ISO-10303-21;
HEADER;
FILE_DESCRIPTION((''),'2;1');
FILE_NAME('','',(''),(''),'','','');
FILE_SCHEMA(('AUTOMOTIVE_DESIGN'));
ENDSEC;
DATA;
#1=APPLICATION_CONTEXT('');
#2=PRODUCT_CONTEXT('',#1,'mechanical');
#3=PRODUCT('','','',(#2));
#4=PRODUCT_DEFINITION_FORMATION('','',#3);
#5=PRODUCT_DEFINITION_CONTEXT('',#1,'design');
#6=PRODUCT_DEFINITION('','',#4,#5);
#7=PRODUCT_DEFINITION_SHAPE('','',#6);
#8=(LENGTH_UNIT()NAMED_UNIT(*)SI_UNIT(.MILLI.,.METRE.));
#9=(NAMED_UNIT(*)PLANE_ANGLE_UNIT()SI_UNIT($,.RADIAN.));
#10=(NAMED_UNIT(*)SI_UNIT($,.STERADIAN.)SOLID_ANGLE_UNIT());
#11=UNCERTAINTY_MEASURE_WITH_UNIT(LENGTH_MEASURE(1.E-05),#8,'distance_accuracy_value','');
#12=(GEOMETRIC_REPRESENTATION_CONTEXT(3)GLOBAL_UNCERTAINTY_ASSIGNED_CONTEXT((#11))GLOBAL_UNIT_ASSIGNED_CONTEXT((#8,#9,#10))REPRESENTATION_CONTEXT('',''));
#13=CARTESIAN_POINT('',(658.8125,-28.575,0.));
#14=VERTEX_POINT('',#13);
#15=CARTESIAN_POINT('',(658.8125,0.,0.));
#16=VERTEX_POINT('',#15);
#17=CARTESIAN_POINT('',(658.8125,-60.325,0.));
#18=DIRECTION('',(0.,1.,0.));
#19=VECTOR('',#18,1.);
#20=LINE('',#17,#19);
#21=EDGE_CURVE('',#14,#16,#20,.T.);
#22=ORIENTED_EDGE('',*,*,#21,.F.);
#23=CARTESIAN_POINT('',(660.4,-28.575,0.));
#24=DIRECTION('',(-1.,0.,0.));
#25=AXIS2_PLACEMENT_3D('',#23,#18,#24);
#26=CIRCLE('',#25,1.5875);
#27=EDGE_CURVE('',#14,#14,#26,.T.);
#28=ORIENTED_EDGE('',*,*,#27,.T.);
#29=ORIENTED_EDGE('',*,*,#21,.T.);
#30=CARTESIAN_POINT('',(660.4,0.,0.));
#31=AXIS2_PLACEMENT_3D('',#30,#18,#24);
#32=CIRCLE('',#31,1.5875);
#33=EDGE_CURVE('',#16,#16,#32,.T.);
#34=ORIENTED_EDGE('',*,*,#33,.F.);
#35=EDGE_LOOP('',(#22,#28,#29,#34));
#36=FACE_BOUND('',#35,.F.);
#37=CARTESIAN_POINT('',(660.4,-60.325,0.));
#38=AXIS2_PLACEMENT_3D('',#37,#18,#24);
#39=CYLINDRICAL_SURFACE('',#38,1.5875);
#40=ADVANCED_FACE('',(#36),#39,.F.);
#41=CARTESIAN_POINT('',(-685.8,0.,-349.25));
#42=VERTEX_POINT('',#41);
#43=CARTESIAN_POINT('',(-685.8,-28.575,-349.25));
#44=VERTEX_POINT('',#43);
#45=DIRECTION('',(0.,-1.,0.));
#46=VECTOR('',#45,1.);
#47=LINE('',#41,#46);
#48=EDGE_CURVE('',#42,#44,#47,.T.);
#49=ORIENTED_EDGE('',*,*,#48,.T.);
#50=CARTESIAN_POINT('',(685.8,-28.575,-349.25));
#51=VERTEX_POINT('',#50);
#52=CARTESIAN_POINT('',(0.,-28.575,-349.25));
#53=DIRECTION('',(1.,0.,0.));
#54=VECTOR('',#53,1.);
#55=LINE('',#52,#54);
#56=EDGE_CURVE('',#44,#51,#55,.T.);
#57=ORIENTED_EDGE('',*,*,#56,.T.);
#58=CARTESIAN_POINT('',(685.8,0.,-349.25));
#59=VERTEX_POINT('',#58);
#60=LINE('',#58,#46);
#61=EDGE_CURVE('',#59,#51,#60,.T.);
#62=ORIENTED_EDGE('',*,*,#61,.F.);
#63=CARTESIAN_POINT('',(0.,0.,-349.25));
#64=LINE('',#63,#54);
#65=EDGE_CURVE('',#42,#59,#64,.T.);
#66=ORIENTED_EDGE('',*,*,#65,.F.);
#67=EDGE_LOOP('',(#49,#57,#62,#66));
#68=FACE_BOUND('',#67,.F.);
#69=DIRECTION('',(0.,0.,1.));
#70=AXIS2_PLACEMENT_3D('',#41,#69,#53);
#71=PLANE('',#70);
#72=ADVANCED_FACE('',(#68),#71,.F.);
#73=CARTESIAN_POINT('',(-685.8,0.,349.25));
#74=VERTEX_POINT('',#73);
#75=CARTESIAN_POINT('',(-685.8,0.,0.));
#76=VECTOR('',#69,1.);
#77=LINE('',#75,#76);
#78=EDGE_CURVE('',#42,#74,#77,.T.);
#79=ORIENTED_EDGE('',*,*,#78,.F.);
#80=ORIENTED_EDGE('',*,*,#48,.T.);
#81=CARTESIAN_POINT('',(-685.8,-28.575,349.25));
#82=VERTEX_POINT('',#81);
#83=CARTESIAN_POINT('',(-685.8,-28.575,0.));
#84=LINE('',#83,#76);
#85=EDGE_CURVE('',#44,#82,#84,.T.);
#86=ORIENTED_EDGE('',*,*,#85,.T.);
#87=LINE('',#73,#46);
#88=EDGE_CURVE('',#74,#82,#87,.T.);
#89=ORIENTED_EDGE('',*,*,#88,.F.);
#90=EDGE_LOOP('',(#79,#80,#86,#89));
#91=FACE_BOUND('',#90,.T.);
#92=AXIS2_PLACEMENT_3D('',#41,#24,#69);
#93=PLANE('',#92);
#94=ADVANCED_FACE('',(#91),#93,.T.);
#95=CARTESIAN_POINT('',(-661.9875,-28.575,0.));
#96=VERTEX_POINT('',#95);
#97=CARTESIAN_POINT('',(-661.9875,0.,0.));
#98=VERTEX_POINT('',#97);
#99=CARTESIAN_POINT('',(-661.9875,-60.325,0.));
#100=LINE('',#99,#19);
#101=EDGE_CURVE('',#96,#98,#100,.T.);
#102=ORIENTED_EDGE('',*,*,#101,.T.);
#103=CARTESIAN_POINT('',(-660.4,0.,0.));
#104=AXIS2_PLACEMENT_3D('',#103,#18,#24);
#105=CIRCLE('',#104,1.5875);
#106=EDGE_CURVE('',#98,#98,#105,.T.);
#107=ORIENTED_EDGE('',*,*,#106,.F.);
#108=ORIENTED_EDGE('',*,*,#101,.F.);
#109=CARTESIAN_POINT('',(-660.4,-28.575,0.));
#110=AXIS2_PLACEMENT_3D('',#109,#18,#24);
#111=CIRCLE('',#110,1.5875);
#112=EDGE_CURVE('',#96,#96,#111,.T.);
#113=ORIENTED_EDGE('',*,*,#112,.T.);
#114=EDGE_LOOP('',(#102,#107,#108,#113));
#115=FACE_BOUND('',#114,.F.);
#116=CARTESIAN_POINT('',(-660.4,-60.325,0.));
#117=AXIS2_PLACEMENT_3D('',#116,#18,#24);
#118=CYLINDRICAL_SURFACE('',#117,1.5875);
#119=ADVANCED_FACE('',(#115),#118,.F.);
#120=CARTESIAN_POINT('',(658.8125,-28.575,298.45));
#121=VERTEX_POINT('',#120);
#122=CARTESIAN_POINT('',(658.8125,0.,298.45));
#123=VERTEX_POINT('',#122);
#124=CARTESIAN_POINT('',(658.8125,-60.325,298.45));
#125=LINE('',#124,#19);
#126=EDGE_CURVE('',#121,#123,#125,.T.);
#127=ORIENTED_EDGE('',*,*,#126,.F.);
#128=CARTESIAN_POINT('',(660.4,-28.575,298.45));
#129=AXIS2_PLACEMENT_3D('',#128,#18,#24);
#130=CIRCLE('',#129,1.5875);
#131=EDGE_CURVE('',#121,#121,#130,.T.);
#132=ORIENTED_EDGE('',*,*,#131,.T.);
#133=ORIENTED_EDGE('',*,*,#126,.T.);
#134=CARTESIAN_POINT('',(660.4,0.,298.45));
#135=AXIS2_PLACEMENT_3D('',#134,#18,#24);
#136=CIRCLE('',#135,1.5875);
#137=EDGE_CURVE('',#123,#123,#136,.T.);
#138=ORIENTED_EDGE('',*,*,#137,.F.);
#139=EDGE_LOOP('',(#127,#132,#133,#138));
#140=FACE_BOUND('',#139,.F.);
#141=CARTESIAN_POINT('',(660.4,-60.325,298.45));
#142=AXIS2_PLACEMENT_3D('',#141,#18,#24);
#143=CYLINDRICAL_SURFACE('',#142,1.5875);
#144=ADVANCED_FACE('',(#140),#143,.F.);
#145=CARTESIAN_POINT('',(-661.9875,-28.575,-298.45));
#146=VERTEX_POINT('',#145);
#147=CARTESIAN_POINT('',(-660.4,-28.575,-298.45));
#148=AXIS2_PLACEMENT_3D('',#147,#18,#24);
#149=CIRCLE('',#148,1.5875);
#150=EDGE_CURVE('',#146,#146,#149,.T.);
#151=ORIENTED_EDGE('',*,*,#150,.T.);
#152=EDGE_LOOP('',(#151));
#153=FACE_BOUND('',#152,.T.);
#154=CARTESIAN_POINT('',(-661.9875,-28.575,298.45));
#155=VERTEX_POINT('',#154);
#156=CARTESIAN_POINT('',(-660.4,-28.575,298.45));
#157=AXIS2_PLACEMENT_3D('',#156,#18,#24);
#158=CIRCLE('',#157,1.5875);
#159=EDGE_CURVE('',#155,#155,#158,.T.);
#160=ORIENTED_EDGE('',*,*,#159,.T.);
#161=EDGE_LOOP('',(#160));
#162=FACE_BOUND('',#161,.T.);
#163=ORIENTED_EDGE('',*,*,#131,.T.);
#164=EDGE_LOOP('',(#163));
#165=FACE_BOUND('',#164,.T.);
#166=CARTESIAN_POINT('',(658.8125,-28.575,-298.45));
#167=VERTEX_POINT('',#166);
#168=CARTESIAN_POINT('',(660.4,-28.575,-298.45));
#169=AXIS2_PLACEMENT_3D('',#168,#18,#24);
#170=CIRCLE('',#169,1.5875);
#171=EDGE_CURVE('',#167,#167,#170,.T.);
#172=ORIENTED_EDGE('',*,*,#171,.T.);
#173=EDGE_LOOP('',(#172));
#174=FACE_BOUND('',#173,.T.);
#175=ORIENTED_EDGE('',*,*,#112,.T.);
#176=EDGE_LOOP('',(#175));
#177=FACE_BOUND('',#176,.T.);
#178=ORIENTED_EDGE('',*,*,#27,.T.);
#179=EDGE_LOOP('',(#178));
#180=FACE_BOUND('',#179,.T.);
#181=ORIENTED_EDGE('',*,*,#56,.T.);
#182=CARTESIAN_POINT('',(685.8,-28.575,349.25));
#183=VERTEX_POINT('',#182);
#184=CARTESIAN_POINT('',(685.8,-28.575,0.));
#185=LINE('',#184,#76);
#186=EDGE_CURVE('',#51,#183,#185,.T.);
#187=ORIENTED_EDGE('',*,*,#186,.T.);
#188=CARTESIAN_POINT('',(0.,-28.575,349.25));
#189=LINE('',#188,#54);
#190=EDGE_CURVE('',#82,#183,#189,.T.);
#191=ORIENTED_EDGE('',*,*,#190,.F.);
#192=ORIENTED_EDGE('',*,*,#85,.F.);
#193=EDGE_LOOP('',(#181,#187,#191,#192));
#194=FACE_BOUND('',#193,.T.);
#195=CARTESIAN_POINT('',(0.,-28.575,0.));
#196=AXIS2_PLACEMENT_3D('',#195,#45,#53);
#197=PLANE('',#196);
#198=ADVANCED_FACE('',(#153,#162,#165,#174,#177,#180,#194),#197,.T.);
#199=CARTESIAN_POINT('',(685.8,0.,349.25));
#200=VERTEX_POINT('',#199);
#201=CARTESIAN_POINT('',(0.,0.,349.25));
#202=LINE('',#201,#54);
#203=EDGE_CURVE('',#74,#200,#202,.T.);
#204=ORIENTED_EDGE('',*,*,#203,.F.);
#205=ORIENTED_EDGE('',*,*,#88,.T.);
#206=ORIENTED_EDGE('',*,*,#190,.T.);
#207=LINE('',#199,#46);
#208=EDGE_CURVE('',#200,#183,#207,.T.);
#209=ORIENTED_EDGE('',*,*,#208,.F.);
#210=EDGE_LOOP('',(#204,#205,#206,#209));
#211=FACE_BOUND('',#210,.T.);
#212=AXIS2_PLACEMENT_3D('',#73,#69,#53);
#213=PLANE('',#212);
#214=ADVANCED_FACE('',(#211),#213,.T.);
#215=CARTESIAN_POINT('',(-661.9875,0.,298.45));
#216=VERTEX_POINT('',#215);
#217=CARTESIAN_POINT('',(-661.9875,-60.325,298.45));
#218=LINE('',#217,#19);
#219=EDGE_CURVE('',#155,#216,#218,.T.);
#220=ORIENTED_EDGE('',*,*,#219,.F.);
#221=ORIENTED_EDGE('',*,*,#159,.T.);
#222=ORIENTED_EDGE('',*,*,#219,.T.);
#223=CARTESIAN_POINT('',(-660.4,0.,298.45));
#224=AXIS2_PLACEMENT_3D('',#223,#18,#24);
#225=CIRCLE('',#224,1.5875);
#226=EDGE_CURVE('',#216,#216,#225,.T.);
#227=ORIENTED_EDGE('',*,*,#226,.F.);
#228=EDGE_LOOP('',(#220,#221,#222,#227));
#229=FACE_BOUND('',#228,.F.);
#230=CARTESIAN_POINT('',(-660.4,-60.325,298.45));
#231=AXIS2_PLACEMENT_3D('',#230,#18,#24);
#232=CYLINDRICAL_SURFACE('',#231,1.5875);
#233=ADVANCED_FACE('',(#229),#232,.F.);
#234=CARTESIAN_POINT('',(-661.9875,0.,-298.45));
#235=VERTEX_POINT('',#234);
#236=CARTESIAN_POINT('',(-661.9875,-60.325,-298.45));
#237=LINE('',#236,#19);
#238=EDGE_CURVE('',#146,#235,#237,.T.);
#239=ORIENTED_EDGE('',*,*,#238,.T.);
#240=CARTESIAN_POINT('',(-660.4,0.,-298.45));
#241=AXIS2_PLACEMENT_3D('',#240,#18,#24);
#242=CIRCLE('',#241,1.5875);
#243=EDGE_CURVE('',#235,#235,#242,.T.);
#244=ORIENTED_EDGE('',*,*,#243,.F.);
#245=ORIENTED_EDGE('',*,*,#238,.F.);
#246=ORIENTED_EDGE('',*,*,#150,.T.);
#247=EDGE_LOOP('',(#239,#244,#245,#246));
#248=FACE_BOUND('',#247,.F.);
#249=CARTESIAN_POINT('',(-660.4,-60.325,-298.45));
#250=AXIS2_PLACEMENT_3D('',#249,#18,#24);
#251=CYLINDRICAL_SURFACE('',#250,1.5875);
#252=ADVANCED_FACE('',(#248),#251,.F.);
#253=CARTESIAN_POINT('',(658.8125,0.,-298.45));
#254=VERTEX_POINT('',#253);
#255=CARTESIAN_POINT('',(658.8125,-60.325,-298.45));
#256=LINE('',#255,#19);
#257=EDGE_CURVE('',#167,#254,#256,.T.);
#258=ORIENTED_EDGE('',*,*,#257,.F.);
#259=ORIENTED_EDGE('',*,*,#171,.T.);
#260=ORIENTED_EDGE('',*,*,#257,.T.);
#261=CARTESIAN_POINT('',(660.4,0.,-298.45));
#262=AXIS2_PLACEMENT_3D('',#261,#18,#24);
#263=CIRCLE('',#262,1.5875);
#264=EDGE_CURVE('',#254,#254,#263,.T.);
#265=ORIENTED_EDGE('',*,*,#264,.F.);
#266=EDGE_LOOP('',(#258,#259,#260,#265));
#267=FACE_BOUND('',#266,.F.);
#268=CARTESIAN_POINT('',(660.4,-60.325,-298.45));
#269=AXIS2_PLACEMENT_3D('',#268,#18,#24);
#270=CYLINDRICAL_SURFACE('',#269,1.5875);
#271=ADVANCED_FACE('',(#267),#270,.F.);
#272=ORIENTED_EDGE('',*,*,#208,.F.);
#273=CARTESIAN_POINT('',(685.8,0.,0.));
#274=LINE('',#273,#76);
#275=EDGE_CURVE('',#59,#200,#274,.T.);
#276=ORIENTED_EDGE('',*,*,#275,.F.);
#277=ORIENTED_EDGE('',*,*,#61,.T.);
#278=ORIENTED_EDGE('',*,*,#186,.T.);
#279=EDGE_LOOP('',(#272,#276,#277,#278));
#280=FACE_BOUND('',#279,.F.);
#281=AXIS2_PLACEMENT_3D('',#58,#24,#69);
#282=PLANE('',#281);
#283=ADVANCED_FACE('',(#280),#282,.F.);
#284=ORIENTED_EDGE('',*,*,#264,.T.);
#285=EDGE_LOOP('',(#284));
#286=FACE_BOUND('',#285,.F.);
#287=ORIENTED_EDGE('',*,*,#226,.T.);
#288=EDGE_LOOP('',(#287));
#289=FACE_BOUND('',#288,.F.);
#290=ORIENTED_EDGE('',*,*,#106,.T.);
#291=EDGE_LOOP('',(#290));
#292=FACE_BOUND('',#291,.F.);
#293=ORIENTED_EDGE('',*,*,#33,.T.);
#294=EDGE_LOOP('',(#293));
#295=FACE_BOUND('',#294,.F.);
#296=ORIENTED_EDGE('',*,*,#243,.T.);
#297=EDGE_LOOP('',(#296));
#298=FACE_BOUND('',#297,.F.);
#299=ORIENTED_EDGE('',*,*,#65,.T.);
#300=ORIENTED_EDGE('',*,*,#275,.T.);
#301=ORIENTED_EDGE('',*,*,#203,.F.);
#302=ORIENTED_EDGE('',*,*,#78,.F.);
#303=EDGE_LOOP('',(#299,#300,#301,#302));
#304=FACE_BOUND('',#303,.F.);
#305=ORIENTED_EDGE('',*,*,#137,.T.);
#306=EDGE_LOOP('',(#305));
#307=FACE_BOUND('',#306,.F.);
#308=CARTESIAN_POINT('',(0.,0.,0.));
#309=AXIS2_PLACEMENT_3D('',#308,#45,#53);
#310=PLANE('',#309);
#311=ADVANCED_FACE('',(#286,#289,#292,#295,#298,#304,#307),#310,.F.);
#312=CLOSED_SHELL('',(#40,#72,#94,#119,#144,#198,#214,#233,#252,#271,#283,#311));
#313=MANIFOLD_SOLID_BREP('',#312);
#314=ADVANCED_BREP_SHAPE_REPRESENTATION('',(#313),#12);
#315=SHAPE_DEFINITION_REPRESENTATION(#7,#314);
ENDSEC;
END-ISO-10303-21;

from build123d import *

# Parameters (mm, degrees)
F0_W     = 1371.6
F0_H     = 698.5
F1_DEPTH = 28.575
F3_D     = 3.175
F3_DEPTH = 31.75


with BuildPart() as f1:
    # F0 (on Front) → F1 (new body)
    with BuildSketch(Plane.XZ):
        Rectangle(F0_W, F0_H)
    extrude(amount=F1_DEPTH)

    # F3
    with Locations(Plane.XZ.offset(28.575)):
        with Locations((-660.4, 298.45), (-660.4, 0), (-660.4, -298.45), (660.4, -298.45), (660.4, 0), (660.4, 298.45)):
            Hole(F3_D / 2, depth=F3_DEPTH)


solid = f1.part
